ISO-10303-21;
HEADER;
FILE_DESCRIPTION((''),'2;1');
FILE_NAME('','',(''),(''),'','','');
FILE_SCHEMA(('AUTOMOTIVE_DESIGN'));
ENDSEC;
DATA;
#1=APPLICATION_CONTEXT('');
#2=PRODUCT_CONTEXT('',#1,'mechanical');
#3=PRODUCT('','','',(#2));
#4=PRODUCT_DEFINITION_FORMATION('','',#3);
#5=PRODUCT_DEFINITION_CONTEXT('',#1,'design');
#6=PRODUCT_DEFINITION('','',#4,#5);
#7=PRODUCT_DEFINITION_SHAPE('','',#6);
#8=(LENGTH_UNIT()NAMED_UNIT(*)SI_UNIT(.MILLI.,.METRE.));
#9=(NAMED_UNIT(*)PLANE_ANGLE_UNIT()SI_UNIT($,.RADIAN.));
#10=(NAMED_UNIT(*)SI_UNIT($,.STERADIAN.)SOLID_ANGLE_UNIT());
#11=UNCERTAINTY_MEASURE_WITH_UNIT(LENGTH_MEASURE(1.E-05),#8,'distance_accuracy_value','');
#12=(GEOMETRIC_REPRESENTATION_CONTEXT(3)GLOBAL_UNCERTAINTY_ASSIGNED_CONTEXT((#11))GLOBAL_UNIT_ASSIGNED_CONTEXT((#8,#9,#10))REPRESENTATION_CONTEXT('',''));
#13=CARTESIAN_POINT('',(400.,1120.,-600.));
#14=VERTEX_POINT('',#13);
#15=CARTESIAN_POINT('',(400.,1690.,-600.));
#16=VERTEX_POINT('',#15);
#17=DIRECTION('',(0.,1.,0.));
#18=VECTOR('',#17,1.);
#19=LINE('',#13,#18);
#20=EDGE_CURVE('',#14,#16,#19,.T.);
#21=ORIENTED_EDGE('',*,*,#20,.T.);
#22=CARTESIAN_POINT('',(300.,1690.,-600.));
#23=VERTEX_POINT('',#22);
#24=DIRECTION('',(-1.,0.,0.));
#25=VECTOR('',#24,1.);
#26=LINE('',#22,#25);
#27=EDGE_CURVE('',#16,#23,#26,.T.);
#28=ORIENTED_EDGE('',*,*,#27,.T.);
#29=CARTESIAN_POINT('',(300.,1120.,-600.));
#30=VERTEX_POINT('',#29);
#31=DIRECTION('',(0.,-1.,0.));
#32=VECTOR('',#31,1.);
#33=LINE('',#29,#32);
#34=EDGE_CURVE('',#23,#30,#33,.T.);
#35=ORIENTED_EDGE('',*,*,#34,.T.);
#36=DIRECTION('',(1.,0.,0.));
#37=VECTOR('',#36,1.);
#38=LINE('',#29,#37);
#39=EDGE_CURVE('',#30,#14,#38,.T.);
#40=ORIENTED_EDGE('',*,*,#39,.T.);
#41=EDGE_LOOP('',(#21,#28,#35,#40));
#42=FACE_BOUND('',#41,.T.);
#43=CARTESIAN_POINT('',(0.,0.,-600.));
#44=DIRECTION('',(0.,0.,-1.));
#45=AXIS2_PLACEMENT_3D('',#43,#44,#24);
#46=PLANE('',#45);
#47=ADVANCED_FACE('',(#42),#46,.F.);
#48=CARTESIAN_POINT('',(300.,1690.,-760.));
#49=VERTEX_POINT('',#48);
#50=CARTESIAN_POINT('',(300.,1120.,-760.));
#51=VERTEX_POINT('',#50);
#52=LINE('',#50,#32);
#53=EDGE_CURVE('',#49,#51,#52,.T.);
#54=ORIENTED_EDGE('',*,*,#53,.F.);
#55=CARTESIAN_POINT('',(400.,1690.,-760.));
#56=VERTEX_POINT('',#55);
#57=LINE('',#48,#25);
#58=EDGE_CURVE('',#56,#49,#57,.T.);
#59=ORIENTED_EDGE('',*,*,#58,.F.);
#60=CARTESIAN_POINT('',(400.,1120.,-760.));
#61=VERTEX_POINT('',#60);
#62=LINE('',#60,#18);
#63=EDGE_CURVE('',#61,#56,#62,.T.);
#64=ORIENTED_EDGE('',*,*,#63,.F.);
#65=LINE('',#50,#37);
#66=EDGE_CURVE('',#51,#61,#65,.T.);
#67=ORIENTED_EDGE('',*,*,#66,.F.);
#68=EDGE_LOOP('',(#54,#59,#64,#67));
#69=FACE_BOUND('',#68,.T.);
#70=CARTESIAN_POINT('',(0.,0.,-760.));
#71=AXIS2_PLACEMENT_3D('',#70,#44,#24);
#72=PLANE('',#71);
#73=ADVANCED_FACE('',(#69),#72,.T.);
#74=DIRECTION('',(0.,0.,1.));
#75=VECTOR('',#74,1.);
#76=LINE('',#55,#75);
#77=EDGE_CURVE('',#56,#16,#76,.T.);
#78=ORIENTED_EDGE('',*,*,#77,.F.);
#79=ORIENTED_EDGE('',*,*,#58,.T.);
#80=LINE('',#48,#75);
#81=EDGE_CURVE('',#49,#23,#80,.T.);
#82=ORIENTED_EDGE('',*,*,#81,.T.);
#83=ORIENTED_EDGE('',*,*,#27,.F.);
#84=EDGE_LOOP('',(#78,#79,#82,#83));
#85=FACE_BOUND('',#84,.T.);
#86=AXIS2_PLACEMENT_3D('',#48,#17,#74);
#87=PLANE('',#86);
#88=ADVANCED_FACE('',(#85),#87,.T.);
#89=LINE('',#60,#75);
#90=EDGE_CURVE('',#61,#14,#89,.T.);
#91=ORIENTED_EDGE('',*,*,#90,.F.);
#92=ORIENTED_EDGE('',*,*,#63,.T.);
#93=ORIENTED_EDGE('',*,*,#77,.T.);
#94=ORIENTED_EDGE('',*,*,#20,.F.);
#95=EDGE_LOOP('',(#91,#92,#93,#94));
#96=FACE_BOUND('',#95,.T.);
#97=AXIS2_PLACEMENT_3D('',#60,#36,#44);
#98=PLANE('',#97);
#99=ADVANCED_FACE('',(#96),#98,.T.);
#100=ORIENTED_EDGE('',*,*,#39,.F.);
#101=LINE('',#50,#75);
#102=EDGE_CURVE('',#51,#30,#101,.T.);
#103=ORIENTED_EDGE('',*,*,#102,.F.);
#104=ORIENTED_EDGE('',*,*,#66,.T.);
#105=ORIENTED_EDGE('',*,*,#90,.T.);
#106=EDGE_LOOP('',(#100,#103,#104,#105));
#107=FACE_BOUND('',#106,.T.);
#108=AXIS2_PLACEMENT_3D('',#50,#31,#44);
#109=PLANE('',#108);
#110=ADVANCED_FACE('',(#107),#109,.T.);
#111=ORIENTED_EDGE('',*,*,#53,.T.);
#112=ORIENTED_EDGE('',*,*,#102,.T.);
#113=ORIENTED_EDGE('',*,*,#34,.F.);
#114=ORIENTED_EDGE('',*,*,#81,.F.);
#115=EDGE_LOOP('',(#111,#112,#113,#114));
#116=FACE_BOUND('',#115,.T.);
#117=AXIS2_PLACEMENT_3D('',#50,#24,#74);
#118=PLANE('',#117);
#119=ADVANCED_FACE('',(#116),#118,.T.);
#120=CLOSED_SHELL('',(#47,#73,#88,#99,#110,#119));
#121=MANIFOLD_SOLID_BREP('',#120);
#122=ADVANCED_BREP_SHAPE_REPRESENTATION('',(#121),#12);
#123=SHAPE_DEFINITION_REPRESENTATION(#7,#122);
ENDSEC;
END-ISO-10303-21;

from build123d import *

# Parameters (mm, degrees)
OVEN_FIRIN_BUHAR_KANALI_1_START = -600
SKETCH1_W                       = 100
SKETCH1_H                       = 570
OVEN_FIRIN_BUHAR_KANALI_1_DEPTH = 160


with BuildPart() as part:
    # Sketch1 → OVEN_firin_buhar_kanali_1 (new body)
    with BuildSketch(Plane.XY.offset(OVEN_FIRIN_BUHAR_KANALI_1_START)):
        with Locations((350, 1405)):
            Rectangle(SKETCH1_W, SKETCH1_H)
    extrude(amount=-OVEN_FIRIN_BUHAR_KANALI_1_DEPTH)


solid = part.part
